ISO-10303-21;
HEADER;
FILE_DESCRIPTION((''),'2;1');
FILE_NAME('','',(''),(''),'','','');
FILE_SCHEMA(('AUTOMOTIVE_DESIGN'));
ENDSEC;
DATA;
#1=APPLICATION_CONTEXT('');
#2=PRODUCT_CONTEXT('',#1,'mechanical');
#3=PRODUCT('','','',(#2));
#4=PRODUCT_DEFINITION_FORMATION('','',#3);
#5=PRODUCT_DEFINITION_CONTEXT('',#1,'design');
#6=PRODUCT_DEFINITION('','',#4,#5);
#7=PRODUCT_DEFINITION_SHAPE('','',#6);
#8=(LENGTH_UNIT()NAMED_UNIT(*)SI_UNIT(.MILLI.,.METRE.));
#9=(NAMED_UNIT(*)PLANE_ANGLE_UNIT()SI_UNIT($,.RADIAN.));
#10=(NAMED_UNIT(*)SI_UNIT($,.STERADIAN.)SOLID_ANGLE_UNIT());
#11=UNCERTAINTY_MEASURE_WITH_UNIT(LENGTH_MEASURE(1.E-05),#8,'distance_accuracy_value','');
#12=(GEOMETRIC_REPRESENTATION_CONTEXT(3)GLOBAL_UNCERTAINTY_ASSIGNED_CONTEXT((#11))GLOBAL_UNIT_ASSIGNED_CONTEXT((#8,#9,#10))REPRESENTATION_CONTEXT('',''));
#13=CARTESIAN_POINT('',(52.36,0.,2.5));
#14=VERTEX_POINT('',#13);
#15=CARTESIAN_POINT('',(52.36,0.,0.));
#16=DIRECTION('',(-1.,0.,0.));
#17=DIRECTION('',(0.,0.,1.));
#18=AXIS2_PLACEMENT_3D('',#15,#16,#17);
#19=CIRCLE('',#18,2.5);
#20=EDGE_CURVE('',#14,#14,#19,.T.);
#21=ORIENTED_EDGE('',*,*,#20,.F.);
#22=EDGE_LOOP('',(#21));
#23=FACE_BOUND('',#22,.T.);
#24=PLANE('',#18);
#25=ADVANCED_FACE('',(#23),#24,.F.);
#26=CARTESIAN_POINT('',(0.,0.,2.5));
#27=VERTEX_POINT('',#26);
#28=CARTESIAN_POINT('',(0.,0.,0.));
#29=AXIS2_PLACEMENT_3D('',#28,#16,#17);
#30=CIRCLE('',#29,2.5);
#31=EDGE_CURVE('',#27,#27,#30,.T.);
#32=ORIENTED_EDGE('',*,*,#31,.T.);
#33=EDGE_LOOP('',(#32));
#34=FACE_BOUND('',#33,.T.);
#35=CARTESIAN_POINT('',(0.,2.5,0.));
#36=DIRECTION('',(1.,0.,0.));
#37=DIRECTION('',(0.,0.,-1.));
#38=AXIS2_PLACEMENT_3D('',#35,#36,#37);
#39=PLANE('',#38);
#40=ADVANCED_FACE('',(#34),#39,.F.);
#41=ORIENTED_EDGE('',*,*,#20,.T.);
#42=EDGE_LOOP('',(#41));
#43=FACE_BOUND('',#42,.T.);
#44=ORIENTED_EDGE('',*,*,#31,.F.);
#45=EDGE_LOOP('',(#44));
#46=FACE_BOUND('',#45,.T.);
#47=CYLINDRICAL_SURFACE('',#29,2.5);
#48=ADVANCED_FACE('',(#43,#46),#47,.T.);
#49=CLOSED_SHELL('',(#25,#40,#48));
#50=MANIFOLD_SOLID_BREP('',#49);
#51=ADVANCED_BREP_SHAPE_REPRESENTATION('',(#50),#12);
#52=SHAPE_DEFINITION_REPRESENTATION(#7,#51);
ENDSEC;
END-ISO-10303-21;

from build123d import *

# Parameters (mm, degrees)
SKETCH1_W = 52.36
SKETCH1_H = 2.5


with BuildPart() as part:
    # Sketch1 → Revolve1 (revolve)
    with BuildSketch(Plane.XY, mode=Mode.PRIVATE) as revolve1_sk:
        with Locations((26.18, 1.25)):
            Rectangle(SKETCH1_W, SKETCH1_H)
    revolve(revolve1_sk.sketch.rotate(Axis((0, 0, 0), (1, 0, 0)), 90), axis=Axis((0, 0, 0), (1, 0, 0)))


solid = part.part
